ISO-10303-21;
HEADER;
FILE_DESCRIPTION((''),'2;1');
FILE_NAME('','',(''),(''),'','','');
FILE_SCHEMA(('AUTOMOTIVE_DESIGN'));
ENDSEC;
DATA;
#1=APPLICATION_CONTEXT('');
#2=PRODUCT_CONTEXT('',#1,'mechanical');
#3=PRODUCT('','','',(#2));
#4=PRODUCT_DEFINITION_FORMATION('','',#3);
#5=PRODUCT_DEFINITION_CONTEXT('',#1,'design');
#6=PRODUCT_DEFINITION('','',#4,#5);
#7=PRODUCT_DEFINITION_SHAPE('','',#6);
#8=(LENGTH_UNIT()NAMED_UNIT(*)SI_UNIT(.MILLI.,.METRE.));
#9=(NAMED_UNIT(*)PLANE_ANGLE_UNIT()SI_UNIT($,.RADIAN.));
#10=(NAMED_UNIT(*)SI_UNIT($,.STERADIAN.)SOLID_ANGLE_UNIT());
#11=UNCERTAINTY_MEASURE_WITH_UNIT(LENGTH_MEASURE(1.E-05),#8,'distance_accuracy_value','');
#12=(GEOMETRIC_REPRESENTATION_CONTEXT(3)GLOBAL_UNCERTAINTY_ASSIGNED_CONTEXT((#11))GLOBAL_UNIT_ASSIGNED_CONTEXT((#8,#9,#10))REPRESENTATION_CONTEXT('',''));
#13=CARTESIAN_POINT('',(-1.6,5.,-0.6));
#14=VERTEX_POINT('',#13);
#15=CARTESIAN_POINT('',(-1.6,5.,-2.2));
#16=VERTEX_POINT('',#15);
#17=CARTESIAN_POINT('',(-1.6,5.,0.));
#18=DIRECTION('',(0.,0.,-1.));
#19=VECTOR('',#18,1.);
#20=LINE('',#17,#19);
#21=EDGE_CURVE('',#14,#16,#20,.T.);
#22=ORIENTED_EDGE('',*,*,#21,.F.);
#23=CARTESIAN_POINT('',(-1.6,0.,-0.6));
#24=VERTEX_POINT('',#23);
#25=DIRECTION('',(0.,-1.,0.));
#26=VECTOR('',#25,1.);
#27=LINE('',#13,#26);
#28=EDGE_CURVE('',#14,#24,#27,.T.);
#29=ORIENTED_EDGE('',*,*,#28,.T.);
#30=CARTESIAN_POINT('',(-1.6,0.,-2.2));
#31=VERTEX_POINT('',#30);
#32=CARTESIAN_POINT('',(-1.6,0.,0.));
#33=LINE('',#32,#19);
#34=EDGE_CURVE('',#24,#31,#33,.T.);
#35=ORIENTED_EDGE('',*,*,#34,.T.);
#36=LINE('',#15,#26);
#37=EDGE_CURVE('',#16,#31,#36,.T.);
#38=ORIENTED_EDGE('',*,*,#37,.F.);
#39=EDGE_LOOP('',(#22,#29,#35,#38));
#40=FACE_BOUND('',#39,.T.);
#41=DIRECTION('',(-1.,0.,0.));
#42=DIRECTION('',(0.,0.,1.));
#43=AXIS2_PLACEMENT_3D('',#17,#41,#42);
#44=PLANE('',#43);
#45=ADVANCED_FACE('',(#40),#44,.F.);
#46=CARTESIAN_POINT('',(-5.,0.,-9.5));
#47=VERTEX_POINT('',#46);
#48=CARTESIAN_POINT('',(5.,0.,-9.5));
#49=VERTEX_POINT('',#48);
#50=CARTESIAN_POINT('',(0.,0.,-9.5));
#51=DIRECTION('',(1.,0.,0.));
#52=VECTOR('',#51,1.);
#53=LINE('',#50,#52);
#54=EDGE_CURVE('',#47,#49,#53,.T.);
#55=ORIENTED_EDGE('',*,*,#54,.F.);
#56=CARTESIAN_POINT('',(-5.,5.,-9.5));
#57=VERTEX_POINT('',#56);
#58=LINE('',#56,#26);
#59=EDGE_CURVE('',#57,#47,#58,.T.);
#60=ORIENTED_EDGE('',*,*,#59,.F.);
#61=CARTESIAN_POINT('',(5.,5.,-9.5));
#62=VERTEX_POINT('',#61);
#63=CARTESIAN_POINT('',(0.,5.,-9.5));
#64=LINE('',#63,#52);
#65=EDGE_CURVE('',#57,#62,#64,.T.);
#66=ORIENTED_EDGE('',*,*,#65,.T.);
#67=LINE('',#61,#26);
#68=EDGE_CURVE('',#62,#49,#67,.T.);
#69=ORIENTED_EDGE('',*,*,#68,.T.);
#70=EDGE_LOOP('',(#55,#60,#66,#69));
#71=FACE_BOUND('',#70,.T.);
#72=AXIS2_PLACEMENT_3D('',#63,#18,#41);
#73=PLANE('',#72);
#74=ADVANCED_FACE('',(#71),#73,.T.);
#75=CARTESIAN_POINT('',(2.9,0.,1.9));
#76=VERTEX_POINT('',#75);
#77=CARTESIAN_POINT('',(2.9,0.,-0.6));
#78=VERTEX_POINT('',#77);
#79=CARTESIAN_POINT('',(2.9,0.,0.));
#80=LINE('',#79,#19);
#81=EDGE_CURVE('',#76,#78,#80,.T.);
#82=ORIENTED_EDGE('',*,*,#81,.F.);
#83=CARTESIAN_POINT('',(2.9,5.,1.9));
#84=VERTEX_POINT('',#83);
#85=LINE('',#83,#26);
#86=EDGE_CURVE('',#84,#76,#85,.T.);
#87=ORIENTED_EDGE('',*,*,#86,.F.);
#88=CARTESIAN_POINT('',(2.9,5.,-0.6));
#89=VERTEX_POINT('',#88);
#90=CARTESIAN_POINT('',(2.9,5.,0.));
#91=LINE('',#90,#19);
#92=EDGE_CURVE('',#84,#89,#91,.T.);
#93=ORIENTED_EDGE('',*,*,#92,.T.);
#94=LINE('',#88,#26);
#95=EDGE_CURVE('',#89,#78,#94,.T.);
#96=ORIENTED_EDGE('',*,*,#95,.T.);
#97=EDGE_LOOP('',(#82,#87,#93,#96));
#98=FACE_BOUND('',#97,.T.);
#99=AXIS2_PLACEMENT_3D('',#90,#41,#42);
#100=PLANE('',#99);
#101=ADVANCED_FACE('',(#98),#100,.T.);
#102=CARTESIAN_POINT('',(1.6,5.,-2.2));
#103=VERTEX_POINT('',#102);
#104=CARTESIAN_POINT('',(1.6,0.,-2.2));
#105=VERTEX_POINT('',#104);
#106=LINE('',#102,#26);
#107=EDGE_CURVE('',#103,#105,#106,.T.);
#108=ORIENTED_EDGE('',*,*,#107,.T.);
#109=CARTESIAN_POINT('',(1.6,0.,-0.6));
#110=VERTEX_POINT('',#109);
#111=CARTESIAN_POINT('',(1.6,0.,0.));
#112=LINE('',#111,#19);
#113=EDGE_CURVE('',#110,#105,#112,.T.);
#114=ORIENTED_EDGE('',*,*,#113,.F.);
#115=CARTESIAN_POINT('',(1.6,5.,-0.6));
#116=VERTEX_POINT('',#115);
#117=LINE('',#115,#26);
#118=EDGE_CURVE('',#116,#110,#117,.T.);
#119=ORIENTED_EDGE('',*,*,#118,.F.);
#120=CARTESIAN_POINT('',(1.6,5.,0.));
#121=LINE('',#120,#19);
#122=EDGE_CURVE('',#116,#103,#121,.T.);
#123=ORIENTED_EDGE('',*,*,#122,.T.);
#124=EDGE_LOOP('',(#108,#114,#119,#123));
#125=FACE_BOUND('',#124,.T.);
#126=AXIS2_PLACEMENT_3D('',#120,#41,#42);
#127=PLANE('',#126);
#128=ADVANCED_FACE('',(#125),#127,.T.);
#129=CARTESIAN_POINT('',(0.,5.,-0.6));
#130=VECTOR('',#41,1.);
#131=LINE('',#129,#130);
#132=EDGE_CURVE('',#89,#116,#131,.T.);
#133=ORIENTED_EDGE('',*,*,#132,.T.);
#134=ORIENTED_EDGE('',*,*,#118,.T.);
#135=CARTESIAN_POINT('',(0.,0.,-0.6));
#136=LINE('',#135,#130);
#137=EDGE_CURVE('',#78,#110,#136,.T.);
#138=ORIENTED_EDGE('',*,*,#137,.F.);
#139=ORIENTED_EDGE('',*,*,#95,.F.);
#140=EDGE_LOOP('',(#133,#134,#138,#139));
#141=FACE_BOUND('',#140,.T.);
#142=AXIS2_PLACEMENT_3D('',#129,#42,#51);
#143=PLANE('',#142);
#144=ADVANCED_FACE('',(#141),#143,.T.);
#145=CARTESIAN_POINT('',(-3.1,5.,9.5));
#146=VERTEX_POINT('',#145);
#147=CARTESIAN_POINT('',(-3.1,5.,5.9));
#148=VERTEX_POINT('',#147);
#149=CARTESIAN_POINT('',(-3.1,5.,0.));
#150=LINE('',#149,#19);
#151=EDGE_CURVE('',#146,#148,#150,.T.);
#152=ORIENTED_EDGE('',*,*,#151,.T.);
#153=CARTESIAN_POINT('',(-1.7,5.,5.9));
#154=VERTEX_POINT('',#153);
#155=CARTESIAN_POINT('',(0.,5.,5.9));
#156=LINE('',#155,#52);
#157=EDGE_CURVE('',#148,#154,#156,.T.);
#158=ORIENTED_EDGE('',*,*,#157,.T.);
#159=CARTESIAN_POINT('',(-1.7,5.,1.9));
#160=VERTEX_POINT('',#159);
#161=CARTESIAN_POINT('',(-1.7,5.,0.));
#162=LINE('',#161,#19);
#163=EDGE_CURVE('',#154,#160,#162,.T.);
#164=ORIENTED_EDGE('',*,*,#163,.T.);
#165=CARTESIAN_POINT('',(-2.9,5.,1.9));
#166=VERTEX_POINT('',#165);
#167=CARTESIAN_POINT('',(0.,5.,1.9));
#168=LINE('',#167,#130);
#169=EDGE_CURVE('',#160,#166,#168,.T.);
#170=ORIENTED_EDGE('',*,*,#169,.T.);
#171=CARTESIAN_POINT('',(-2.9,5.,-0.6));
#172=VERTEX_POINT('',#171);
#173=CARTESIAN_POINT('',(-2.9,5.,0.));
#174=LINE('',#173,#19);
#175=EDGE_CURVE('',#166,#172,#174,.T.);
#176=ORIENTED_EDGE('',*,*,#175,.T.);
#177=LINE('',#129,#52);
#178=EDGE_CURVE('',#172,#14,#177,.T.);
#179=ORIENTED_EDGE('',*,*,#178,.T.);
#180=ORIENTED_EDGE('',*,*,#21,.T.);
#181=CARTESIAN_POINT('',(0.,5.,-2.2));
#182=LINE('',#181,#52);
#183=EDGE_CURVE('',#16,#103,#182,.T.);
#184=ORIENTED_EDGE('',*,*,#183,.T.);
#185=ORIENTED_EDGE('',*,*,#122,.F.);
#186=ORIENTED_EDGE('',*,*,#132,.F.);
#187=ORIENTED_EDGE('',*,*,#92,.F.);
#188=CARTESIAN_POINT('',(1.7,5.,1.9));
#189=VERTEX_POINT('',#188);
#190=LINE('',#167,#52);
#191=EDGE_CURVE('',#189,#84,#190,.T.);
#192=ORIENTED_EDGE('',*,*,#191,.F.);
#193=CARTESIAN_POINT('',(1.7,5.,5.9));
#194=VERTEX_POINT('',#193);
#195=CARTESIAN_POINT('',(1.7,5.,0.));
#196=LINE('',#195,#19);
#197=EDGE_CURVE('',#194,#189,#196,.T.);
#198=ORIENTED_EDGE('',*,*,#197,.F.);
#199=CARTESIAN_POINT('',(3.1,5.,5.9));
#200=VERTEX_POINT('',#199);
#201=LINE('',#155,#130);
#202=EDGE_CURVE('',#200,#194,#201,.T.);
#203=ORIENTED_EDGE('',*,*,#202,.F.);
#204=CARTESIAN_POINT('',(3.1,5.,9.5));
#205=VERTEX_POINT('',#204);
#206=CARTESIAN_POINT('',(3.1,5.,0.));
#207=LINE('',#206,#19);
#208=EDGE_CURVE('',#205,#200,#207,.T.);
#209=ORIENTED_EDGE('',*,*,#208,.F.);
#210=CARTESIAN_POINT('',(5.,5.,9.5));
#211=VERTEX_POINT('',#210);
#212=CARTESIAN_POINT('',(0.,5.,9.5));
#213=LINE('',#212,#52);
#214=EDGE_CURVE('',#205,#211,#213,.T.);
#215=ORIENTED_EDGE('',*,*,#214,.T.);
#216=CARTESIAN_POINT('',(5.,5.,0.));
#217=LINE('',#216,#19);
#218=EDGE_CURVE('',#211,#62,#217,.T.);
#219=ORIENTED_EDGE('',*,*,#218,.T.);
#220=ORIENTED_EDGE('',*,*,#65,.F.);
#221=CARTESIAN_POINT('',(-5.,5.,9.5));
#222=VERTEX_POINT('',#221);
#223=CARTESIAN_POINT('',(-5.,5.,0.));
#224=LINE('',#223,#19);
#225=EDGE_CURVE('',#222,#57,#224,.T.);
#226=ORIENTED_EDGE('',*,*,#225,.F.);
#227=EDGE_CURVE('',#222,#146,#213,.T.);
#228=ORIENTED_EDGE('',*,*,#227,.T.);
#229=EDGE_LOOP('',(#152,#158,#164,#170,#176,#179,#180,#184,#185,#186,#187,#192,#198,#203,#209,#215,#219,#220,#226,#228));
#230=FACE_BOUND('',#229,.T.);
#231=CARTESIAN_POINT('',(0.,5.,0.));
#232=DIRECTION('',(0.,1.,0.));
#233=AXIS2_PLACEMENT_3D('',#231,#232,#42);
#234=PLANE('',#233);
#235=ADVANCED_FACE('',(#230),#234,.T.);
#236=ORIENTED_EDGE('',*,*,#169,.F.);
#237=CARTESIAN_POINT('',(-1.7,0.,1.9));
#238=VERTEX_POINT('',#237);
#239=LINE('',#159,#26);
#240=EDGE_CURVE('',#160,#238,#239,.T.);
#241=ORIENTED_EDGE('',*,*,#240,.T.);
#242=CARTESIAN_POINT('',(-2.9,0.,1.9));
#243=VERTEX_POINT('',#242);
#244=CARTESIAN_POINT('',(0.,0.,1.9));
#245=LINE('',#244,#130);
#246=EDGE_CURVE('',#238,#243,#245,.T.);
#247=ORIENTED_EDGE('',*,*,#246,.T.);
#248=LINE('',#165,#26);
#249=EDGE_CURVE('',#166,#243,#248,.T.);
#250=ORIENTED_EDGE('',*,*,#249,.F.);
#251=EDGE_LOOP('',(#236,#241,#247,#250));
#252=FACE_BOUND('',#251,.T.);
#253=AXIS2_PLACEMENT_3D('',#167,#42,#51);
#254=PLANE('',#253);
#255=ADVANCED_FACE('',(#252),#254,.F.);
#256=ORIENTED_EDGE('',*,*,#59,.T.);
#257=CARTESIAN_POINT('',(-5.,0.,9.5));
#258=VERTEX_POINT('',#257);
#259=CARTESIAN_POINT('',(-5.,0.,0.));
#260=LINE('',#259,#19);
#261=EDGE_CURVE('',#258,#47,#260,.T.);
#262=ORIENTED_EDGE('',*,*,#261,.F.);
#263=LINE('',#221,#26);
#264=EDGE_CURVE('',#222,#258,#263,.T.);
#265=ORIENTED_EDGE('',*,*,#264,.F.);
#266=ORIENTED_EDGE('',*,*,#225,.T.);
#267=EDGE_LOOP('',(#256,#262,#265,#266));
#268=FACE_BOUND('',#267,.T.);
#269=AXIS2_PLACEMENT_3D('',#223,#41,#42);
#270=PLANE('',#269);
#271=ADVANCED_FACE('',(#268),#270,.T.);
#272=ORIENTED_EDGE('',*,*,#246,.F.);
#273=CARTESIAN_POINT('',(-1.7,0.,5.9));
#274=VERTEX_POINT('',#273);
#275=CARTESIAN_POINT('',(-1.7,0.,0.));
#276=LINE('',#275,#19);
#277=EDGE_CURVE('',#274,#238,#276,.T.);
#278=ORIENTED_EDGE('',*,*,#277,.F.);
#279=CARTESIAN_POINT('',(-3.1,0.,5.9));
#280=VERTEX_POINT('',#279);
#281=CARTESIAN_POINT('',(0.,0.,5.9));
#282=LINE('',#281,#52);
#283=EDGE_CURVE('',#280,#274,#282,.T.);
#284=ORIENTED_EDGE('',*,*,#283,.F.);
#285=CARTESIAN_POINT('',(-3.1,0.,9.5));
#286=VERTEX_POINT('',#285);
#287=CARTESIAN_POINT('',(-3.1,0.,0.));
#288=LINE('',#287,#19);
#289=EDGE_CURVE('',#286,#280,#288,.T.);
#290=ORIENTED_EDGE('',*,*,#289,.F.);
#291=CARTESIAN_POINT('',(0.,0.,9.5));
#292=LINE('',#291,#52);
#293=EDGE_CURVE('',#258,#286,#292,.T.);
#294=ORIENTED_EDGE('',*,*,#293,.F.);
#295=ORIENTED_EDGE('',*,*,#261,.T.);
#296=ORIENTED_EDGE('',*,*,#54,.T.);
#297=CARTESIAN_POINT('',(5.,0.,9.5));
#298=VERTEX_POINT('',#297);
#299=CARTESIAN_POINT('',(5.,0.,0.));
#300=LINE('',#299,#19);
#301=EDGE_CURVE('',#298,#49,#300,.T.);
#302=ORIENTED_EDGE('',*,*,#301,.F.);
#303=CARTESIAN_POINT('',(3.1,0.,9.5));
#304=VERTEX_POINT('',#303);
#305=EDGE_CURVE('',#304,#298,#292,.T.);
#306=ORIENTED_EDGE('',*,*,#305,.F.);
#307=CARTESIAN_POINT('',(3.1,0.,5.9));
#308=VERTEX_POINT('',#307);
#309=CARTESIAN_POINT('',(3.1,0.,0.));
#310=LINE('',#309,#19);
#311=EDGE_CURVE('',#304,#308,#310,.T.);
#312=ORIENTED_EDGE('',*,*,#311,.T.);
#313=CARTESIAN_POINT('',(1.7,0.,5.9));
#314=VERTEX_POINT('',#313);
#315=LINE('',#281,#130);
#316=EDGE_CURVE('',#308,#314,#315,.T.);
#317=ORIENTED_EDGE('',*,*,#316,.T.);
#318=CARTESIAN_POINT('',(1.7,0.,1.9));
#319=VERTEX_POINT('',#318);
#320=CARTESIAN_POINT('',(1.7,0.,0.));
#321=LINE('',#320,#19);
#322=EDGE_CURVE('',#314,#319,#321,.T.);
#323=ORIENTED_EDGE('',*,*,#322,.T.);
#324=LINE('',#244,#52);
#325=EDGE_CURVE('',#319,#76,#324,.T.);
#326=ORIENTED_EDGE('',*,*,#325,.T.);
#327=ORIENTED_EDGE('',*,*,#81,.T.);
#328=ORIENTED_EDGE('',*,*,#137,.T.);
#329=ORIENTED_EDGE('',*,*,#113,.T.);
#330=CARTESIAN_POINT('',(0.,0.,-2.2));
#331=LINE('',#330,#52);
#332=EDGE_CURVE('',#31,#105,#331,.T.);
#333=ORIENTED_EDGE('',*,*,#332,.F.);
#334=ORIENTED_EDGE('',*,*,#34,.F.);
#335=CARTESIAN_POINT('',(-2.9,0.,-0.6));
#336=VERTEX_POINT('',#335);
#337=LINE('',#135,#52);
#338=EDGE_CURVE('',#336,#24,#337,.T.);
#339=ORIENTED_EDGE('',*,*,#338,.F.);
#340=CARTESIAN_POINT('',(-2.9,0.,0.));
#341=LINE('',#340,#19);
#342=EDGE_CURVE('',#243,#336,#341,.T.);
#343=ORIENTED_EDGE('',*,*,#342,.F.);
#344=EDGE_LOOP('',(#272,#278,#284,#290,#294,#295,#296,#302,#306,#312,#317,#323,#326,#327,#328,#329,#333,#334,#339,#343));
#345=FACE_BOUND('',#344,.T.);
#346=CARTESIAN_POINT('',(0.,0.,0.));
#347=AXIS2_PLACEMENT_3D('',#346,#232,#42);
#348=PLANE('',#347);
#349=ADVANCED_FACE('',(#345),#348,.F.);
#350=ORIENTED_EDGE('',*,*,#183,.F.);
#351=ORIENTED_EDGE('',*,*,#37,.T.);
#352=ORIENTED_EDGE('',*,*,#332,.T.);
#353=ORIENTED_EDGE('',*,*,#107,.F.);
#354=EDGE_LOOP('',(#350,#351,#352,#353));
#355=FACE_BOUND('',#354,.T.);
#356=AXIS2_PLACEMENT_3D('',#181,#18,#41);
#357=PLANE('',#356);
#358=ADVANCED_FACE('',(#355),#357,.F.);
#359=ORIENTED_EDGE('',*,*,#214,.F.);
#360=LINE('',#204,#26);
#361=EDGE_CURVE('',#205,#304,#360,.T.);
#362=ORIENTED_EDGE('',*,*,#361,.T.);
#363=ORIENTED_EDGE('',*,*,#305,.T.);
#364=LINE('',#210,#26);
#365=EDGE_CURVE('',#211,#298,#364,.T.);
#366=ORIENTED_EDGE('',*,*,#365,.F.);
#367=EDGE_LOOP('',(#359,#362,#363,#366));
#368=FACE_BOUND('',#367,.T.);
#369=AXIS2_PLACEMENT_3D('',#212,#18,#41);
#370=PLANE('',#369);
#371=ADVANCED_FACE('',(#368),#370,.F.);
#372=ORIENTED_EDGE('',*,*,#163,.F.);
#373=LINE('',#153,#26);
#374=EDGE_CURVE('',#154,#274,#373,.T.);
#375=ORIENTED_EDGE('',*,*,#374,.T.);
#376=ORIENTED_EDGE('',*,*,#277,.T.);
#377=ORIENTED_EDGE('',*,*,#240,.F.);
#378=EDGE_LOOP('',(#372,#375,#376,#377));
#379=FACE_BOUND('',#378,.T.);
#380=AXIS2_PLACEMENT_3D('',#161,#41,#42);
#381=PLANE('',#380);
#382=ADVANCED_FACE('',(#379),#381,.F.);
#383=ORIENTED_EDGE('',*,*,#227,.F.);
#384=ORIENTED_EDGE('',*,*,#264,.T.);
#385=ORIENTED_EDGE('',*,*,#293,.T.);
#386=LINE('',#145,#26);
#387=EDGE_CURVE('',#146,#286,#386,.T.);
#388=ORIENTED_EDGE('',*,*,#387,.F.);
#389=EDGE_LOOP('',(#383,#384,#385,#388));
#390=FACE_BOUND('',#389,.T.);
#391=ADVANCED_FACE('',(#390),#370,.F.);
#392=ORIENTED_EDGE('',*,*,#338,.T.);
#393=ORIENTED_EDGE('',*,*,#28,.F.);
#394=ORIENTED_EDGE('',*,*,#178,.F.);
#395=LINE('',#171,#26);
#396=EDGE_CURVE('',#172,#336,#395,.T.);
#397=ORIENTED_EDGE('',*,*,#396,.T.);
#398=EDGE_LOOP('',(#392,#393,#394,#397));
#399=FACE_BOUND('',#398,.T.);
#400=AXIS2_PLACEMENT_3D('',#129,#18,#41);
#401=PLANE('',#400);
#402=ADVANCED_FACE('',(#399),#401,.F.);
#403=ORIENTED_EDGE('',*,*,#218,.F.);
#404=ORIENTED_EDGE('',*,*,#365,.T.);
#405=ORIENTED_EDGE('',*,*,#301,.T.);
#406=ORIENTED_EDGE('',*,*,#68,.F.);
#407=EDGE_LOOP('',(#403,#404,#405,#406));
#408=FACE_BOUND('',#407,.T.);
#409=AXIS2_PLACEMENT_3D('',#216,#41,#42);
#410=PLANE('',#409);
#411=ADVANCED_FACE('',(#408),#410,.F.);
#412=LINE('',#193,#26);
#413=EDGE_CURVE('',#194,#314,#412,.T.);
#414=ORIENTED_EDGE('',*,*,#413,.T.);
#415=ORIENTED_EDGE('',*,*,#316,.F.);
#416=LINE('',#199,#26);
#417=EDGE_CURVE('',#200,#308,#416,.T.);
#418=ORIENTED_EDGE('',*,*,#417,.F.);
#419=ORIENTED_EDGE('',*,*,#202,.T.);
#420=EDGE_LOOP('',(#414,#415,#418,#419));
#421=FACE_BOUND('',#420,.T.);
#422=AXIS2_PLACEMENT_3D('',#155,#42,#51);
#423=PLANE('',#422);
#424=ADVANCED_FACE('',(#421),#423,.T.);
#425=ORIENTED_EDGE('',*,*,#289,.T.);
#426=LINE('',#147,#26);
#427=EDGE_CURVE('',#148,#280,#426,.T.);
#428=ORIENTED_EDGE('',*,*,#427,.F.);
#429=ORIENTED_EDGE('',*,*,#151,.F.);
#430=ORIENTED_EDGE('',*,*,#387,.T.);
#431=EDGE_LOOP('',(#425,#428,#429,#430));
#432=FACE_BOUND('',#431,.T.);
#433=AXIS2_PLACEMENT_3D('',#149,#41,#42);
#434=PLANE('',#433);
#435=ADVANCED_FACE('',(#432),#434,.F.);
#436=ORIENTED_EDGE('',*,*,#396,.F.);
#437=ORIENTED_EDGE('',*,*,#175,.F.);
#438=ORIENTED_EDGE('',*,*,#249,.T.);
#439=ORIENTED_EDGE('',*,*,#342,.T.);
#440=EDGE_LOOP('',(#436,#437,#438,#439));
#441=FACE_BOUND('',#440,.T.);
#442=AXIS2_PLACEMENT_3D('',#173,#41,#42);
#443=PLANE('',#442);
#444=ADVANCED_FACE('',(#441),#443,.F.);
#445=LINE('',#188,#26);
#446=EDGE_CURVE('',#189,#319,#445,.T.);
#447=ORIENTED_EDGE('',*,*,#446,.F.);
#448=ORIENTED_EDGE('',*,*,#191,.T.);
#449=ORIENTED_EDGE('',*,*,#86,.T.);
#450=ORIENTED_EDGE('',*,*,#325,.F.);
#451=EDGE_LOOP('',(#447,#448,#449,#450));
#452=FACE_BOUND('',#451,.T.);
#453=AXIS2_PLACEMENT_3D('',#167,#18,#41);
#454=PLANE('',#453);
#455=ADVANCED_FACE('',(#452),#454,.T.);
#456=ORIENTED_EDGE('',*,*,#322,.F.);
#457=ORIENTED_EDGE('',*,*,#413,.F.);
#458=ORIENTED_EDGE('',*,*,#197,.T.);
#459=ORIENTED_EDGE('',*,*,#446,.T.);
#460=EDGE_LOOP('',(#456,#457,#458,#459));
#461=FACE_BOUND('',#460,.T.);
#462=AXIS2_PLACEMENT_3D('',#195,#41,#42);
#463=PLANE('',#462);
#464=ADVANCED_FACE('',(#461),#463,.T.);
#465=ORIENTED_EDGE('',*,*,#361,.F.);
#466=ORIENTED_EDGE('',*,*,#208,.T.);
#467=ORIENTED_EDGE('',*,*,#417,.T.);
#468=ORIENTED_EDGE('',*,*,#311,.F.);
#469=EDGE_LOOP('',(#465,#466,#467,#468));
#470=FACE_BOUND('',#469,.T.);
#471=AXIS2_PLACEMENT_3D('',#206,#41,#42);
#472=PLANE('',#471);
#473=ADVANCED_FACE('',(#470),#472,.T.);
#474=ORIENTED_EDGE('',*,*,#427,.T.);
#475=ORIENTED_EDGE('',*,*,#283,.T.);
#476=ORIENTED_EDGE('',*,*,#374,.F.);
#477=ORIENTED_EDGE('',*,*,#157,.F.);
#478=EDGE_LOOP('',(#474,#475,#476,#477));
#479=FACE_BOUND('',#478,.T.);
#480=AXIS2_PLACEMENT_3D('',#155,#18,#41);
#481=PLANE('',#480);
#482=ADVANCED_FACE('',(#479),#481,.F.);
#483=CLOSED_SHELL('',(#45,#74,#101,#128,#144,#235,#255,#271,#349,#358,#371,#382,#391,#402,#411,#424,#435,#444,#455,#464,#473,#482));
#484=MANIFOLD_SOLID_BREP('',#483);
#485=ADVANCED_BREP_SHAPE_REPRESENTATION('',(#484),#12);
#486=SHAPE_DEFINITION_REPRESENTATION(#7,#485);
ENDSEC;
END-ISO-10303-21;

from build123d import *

# Parameters (mm, degrees)
BOSS_EXTRUDE1_DEPTH = 5


with BuildPart() as part:
    # Sketch1 → Boss-Extrude1 (new body)
    with BuildSketch(Plane(origin=(0, 0, 0), x_dir=(1, 0, 0), z_dir=(0, 1, 0))):
        Polygon((1.6, 0.6), (1.6, 2.2), (-1.6, 2.2), (-1.6, 0.6), (-2.9, 0.6), (-2.9, -1.9), (-1.7, -1.9), (-1.7, -5.9), (-3.1, -5.9), (-3.1, -9.5), (-5, -9.5), (-5, 9.5), (5, 9.5), (5, -9.5), (3.1, -9.5), (3.1, -5.9), (1.7, -5.9), (1.7, -1.9), (2.9, -1.9), (2.9, 0.6), align=None)
    extrude(amount=BOSS_EXTRUDE1_DEPTH)


solid = part.part
